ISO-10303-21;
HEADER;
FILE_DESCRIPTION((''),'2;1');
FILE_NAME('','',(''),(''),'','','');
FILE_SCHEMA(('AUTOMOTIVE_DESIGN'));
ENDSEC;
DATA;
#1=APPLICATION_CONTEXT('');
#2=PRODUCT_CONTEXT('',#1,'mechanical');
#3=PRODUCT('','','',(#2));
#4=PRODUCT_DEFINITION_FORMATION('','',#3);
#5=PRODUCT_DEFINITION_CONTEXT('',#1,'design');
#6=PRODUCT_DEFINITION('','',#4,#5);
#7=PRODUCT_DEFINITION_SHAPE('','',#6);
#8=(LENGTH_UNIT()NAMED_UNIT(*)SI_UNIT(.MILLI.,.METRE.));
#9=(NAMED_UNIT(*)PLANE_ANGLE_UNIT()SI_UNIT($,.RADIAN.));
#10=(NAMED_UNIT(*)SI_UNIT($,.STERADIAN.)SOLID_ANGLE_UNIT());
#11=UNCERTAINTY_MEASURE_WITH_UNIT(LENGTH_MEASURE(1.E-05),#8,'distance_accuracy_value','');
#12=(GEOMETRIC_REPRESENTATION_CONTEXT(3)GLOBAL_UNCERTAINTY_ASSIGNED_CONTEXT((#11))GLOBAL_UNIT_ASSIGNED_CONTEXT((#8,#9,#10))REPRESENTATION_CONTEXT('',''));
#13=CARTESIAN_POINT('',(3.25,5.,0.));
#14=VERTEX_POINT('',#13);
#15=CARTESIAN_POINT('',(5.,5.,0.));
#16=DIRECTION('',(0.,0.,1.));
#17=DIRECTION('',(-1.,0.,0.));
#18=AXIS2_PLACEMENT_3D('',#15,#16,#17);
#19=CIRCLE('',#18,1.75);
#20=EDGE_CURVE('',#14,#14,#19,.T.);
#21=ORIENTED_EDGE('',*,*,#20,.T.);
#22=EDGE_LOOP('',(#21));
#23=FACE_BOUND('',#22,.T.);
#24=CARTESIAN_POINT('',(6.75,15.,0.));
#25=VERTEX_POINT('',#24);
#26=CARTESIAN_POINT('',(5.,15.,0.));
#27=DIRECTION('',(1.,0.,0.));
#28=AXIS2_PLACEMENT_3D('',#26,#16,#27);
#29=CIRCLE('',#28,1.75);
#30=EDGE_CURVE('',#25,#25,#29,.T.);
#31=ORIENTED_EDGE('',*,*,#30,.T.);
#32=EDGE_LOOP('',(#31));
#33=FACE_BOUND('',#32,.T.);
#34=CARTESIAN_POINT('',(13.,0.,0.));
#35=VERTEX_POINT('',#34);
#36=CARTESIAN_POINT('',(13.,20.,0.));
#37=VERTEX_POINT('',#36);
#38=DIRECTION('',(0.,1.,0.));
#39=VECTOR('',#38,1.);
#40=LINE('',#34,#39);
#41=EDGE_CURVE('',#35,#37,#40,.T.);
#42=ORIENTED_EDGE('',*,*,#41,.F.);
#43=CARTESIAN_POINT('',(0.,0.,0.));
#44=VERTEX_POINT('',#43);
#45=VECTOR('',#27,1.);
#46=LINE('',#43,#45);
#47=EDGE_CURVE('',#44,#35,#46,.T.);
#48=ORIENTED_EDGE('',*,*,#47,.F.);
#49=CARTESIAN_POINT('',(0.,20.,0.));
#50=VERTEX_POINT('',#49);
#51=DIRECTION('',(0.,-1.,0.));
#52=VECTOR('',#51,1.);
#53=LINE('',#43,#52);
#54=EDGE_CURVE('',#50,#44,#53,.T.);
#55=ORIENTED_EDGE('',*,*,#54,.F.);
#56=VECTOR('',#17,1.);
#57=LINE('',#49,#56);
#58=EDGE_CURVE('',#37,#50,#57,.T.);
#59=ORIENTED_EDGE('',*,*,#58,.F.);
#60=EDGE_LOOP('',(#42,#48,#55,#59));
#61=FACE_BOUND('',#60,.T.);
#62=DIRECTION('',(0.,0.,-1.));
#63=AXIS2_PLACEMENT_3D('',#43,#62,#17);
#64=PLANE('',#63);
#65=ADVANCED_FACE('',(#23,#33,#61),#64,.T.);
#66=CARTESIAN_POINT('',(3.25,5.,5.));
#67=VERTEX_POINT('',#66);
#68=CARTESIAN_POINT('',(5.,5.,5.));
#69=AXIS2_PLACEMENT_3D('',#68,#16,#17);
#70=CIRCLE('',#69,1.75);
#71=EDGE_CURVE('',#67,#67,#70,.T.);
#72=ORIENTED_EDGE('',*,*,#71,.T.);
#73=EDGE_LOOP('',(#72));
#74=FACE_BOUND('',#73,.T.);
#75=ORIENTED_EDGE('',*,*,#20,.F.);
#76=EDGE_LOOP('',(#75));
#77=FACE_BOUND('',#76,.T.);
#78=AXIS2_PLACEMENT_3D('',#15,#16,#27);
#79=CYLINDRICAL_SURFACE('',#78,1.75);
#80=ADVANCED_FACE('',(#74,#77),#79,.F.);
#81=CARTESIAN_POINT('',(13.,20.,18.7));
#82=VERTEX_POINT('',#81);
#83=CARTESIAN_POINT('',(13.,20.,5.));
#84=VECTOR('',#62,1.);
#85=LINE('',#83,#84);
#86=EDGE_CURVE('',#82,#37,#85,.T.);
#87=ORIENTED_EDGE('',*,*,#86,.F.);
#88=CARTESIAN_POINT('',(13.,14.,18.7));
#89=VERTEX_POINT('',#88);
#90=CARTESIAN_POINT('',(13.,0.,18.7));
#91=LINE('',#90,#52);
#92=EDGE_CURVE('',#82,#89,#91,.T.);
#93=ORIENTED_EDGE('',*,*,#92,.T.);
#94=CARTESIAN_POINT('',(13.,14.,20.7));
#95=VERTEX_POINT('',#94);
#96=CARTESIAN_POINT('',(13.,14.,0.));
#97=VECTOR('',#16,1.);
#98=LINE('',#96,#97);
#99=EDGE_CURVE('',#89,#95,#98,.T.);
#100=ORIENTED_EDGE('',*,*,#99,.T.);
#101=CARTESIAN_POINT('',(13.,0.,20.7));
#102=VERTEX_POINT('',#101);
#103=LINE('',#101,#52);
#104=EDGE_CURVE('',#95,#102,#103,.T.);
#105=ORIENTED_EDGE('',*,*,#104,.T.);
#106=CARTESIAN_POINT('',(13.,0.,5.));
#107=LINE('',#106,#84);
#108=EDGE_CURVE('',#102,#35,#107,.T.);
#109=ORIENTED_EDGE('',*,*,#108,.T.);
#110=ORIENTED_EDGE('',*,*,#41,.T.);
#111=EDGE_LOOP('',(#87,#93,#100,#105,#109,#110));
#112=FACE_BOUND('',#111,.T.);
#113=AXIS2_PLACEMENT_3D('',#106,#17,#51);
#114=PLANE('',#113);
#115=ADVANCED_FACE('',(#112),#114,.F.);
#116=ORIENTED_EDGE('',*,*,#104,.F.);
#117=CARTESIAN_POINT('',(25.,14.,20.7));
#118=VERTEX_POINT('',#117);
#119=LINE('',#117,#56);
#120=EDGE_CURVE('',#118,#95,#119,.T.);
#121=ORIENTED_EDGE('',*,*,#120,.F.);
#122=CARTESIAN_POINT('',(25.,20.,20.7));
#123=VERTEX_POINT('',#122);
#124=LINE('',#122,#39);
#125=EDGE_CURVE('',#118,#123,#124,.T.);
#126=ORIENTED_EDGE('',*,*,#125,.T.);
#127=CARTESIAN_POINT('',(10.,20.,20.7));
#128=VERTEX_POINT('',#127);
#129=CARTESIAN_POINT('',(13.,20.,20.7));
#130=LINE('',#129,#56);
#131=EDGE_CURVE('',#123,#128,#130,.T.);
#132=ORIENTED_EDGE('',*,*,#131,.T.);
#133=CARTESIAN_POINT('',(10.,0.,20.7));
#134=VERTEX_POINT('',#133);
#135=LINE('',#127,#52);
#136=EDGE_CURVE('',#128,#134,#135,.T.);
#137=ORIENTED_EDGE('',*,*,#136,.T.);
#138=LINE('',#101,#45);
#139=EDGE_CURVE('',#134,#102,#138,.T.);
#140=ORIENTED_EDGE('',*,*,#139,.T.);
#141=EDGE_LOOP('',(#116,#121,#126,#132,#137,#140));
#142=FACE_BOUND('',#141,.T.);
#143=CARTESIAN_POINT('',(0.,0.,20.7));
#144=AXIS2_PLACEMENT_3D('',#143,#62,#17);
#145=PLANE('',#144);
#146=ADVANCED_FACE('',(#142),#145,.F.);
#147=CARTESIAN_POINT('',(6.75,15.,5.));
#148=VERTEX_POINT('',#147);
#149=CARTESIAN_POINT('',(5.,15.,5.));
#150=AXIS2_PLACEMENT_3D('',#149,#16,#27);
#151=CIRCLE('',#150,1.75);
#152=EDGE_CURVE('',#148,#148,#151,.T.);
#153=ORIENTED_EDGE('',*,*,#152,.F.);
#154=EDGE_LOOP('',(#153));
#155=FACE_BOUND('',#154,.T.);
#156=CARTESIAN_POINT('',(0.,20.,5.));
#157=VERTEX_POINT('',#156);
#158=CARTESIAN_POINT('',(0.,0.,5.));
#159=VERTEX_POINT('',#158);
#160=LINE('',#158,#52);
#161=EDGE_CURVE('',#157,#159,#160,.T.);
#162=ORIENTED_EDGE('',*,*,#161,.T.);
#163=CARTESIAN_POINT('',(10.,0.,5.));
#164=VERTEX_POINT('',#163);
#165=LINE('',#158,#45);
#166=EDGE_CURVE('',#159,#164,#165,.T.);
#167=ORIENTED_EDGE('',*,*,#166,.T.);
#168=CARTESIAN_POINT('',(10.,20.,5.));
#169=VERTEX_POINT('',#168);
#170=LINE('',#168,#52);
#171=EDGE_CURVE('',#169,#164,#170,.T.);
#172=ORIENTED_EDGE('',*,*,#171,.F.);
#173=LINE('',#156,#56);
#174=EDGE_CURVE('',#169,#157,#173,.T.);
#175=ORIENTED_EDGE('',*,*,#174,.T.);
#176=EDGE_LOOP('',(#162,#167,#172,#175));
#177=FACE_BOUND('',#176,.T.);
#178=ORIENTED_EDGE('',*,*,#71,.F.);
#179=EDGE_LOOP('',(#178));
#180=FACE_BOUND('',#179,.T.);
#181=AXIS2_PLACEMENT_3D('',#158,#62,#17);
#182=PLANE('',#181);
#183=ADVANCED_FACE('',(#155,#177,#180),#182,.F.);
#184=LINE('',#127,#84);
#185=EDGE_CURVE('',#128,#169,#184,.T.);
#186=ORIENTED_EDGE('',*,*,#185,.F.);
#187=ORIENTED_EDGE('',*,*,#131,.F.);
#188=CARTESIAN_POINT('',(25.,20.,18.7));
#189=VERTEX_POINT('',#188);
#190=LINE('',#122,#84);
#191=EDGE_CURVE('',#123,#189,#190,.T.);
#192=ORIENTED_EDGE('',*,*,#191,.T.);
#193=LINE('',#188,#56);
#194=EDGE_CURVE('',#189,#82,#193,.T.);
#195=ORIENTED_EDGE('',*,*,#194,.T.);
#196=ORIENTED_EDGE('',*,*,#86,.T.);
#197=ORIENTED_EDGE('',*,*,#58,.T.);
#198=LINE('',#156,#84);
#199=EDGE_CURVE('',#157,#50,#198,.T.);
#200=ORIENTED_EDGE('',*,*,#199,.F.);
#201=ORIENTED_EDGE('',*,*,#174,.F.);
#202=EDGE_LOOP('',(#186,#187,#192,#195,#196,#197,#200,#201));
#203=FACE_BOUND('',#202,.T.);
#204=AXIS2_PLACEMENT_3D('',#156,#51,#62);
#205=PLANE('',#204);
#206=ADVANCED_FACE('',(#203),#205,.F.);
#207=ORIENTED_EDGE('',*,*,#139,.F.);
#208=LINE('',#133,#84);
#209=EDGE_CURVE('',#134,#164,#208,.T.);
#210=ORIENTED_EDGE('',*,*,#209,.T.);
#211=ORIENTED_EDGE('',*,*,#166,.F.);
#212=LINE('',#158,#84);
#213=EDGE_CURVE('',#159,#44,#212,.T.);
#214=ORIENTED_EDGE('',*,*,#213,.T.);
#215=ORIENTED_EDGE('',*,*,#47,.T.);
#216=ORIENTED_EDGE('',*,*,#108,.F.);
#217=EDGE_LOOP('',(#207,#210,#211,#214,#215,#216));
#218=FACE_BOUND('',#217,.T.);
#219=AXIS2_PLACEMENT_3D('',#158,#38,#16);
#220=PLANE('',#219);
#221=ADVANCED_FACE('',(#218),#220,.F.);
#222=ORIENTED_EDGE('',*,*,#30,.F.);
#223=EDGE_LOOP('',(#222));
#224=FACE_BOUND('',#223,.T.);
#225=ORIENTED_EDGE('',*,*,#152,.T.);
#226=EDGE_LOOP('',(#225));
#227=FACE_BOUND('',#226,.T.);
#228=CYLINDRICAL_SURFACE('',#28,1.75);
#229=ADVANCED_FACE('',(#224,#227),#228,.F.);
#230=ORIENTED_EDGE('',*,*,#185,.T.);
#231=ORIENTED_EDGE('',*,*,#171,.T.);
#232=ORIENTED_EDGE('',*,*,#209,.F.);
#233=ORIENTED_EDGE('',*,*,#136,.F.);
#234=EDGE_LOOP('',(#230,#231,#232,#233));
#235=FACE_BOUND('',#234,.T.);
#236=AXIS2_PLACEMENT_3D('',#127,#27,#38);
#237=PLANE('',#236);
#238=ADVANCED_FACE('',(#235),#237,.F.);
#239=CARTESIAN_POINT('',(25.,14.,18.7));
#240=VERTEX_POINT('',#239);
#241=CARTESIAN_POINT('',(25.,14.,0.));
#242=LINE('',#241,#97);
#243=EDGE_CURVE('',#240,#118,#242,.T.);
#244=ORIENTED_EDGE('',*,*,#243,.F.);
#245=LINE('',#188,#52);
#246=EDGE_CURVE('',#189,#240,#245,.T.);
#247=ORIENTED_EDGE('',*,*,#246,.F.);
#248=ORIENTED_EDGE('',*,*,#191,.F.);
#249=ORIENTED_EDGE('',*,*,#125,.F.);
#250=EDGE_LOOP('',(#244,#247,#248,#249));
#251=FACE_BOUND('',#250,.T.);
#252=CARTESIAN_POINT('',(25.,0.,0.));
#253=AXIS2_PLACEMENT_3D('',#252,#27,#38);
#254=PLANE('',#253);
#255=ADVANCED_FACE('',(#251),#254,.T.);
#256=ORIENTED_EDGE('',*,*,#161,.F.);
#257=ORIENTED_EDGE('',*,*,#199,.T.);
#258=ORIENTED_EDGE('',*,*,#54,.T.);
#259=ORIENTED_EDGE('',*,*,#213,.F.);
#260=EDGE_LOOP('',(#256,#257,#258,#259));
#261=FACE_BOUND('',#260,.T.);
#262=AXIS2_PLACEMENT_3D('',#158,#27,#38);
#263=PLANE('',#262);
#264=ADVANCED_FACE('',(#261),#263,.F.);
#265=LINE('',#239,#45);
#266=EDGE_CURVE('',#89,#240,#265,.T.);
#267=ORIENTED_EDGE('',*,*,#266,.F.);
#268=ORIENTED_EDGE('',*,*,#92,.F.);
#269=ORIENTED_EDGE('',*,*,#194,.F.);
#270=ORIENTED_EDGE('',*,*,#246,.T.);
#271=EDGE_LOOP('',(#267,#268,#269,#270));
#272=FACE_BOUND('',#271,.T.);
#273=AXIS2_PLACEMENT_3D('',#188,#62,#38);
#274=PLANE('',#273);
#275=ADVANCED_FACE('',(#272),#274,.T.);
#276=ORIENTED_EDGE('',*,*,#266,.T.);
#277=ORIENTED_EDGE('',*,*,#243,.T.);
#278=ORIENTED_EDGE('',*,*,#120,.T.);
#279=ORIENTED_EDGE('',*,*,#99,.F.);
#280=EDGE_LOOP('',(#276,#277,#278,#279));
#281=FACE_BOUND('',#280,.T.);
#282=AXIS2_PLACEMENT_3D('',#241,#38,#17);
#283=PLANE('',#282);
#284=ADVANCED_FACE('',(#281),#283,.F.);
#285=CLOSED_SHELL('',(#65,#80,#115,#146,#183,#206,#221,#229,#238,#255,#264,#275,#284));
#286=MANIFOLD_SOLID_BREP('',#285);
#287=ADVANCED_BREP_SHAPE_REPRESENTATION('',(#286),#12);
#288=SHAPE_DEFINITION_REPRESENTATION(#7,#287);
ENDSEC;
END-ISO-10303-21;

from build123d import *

# Parameters (mm, degrees)
SKETCH_1_W          = 13
SKETCH_1_H          = 20
EXTRUDE_1_DEPTH     = 5
SKETCH_3_W          = 3
SKETCH_3_H          = 20
EXTRUDE_2_DEPTH     = 15.7
SKETCH_4_W          = 2
SKETCH_4_H          = 20
EXTRUDE_3_DEPTH     = 15
SKETCH_5_W          = 12
SKETCH_5_H          = 14
CUT_EXTRUDE_1_DEPTH = 21.7
SKETCH_6_R          = 1.75
CUT_EXTRUDE_2_DEPTH = 6


with BuildPart() as part:
    # 草图1 → 凸台-拉伸1 (new body)
    with BuildSketch(Plane.XY):
        with Locations((6.5, 10)):
            Rectangle(SKETCH_1_W, SKETCH_1_H)
    extrude(amount=EXTRUDE_1_DEPTH)

    # 草图3 → 凸台-拉伸2 (add)
    with BuildSketch(Plane.XY.offset(5)):
        with Locations((11.5, 10)):
            Rectangle(SKETCH_3_W, SKETCH_3_H)
    extrude(amount=EXTRUDE_2_DEPTH)

    # 草图4 → 凸台-拉伸3 (add)
    with BuildSketch(Plane.ZY.offset(-10)):
        with Locations((19.7, 10)):
            Rectangle(SKETCH_4_W, SKETCH_4_H)
    extrude(amount=-EXTRUDE_3_DEPTH)

    # 草图5 → 切除-拉伸1 (cut, through all)
    with BuildSketch(Plane.XY.offset(20.7)):
        with Locations((19, 7)):
            Rectangle(SKETCH_5_W, SKETCH_5_H)
    extrude(amount=-CUT_EXTRUDE_1_DEPTH, mode=Mode.SUBTRACT)

    # 草图6 → 切除-拉伸2 (cut, through all)
    with BuildSketch(Plane.XY.offset(5)):
        with Locations((5, 15)):
            Circle(SKETCH_6_R)
        with Locations((5, 5)):
            Circle(SKETCH_6_R)
    extrude(amount=-CUT_EXTRUDE_2_DEPTH, mode=Mode.SUBTRACT)


solid = part.part
